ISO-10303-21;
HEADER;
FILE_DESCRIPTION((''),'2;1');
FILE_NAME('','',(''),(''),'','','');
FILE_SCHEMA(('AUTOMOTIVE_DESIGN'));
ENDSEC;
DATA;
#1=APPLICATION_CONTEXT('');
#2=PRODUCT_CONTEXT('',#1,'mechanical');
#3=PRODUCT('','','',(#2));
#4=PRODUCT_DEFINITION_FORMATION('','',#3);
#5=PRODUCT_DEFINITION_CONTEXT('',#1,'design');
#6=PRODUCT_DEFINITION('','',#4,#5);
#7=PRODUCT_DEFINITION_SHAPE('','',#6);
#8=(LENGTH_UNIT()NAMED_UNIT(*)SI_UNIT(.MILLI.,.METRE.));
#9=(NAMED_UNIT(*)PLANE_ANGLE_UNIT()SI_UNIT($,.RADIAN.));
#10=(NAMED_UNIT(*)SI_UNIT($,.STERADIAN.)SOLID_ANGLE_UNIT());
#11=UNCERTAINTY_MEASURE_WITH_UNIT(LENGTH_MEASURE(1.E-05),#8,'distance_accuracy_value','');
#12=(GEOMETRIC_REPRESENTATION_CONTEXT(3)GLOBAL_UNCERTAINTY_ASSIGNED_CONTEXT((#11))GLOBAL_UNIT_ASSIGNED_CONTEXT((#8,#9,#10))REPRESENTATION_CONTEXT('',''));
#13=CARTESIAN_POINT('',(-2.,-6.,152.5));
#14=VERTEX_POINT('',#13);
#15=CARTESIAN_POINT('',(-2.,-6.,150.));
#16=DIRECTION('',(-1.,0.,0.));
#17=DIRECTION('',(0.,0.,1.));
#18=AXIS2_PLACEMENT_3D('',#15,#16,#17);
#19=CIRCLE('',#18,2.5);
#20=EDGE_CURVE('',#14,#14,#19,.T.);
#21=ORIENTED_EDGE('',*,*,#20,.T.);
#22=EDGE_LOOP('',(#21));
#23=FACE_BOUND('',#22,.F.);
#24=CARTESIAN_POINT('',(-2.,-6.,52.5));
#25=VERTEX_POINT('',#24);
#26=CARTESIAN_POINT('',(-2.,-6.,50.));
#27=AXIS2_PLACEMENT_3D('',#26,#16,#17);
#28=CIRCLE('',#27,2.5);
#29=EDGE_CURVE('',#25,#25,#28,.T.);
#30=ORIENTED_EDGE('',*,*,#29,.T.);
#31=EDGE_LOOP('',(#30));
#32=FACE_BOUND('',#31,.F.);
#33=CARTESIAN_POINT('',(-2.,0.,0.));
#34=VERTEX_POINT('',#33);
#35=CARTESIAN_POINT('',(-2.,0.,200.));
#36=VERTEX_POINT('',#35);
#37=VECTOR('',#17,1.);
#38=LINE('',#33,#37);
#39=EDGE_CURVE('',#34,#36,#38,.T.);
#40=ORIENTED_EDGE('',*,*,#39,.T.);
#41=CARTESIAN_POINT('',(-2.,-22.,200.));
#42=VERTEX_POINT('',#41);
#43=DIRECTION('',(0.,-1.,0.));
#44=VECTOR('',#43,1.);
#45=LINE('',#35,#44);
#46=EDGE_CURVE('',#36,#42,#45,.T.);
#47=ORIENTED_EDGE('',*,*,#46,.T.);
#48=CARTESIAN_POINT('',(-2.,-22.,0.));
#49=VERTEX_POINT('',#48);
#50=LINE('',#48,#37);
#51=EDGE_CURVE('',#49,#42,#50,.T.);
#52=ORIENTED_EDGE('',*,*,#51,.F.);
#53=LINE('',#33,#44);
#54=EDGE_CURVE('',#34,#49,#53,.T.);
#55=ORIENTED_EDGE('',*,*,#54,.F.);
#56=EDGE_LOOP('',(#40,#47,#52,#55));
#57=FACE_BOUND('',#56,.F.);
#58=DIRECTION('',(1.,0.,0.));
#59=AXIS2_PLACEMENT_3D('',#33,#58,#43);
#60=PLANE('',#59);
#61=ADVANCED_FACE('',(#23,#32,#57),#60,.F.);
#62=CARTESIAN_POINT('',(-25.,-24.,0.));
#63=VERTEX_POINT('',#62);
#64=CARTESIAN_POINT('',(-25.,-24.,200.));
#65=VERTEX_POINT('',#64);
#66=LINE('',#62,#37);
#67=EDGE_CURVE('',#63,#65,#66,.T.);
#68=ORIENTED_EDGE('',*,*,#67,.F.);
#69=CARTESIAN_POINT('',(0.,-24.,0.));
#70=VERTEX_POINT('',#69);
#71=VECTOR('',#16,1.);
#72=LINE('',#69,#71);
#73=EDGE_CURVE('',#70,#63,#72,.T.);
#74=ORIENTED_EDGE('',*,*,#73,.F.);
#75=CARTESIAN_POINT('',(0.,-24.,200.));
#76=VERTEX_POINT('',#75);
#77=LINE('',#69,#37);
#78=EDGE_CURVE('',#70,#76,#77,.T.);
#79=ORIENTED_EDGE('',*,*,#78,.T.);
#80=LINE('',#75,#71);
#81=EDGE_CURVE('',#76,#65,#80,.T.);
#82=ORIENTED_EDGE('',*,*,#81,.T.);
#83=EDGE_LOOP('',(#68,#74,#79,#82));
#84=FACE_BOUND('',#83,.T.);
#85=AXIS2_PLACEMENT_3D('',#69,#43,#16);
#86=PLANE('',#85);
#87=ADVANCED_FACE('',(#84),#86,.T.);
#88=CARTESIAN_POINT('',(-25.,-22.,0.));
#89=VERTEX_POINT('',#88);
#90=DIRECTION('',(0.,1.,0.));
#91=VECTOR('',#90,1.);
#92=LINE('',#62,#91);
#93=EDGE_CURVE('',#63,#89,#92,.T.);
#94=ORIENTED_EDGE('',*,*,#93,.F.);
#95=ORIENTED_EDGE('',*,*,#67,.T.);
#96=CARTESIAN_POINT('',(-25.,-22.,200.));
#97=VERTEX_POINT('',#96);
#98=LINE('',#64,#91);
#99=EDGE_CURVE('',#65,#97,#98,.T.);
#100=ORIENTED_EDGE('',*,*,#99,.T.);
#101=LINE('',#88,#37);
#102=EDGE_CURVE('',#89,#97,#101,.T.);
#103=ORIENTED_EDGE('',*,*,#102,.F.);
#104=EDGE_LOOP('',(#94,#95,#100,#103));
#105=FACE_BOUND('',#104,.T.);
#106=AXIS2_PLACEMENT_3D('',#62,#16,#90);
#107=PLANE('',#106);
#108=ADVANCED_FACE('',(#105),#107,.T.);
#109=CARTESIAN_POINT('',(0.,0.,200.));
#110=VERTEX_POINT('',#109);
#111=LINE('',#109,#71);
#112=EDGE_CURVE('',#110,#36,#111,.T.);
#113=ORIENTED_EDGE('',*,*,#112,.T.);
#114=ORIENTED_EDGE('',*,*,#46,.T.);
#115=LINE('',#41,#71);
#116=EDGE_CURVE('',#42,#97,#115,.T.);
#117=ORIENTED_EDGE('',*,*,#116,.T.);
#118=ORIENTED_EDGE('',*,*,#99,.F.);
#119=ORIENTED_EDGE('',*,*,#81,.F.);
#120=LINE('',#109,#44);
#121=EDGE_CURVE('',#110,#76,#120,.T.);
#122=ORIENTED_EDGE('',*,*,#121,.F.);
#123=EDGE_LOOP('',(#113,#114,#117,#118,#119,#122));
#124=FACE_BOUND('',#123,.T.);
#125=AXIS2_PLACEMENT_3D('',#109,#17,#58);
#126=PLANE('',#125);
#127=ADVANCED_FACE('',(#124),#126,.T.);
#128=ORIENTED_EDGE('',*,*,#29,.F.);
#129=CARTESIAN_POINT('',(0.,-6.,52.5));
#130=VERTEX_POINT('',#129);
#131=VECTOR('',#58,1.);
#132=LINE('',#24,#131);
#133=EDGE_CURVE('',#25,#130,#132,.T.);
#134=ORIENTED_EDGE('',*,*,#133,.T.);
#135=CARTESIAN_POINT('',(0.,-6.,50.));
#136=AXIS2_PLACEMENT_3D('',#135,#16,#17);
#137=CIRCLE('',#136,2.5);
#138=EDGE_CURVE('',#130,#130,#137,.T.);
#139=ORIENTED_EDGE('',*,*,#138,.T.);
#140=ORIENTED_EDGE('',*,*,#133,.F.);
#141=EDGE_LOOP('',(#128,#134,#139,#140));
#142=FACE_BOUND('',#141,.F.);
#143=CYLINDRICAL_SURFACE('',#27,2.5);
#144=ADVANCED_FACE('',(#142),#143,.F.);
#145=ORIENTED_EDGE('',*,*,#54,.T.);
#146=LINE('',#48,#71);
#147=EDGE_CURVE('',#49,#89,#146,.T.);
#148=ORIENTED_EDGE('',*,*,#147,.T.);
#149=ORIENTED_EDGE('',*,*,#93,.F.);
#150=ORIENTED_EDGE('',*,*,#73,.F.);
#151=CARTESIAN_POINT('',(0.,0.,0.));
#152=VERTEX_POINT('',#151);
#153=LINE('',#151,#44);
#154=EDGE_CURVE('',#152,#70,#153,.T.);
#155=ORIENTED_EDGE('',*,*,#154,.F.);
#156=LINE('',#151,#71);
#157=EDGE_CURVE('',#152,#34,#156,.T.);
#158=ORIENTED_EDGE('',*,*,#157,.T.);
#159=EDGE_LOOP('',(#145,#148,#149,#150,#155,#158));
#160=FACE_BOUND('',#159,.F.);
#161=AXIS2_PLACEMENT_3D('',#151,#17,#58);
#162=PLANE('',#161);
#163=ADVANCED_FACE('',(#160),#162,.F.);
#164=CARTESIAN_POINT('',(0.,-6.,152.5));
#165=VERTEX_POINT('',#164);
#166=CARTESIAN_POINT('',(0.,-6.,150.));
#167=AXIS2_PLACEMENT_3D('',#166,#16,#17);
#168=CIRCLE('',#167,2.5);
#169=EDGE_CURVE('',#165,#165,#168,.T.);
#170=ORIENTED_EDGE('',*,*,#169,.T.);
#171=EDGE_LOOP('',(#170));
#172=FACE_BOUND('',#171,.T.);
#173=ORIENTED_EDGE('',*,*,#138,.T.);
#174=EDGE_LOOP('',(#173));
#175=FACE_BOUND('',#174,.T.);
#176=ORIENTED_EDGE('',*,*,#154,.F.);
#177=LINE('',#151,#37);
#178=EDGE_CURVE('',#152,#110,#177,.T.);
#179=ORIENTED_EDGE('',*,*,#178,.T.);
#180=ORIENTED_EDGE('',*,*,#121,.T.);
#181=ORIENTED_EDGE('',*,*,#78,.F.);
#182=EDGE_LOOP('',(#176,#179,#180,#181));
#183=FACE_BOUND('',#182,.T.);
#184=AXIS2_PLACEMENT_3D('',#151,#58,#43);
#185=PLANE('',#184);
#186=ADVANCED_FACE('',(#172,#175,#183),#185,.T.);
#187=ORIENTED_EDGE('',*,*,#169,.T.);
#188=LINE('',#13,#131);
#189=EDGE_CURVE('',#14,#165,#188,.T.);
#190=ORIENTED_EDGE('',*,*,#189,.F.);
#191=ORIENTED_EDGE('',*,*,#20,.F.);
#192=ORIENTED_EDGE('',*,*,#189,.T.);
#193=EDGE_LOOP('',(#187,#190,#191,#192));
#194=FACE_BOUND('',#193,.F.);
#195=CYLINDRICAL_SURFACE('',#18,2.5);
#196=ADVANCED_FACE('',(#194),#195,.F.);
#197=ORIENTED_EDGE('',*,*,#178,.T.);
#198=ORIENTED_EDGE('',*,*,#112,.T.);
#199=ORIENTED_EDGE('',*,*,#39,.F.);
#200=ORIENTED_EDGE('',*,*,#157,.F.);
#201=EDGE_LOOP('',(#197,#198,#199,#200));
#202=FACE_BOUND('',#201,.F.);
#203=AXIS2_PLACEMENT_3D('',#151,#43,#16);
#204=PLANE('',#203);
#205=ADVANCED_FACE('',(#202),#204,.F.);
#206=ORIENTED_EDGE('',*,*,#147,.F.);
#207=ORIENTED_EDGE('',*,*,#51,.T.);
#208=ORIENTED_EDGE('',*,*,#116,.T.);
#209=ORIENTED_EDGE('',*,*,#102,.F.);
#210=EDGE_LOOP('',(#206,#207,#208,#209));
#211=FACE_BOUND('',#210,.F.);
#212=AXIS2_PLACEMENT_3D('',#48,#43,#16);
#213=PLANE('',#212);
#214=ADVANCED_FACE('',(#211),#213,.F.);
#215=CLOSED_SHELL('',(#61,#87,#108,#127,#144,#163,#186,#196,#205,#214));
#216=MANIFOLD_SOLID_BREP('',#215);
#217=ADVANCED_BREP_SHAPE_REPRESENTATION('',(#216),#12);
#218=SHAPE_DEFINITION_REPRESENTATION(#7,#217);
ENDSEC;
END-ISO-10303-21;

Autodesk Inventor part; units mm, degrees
ref_plane "YZ Plane" through (0, 0, 0) normal (1, 0, 0) x (0, 1, 0)
ref_plane "XZ Plane" through (0, 0, 0) normal (0, 1, 0) x (-1, 0, 0)
ref_plane "XY Plane" through (0, 0, 0) normal (0, 0, 1) x (1, 0, 0)
sketch "Sketch1" plane through (0, 0, 0) normal (0, 0, 1) x (1, 0, 0)
  line L0 (0, 0) -> (0, -24)
  line L1 (0, -24) -> (-25, -24)
  line L2 (-25, -24) -> (-25, -22)
  line L3 (0, 0) -> (-2, 0)
  line L4 (-2, 0) -> (-2, -22)
  line L5 (-2, -22) -> (-25, -22)
extrude "Extrusion1" add sketch "Sketch1" along normal blind 200
sketch "Sketch2" plane through (-2, -22, 0) normal (-1, 0, 0) x (0, 0, 1)
  circle A0 centre (50, 16) radius 2.5
  circle A1 centre (150, 16) radius 2.5
  point P0 (200, 22)
extrude "Extrusion2" cut sketch "Sketch2" against normal through all
sketch "Sketch3" plane through (0, -24, 0) normal (1, 0, 0) x (0, 0, -1)
  point P0 (0, 24)
properties part number "new  L clamp" material "Stainless Steel AISI 440C, Welded"
